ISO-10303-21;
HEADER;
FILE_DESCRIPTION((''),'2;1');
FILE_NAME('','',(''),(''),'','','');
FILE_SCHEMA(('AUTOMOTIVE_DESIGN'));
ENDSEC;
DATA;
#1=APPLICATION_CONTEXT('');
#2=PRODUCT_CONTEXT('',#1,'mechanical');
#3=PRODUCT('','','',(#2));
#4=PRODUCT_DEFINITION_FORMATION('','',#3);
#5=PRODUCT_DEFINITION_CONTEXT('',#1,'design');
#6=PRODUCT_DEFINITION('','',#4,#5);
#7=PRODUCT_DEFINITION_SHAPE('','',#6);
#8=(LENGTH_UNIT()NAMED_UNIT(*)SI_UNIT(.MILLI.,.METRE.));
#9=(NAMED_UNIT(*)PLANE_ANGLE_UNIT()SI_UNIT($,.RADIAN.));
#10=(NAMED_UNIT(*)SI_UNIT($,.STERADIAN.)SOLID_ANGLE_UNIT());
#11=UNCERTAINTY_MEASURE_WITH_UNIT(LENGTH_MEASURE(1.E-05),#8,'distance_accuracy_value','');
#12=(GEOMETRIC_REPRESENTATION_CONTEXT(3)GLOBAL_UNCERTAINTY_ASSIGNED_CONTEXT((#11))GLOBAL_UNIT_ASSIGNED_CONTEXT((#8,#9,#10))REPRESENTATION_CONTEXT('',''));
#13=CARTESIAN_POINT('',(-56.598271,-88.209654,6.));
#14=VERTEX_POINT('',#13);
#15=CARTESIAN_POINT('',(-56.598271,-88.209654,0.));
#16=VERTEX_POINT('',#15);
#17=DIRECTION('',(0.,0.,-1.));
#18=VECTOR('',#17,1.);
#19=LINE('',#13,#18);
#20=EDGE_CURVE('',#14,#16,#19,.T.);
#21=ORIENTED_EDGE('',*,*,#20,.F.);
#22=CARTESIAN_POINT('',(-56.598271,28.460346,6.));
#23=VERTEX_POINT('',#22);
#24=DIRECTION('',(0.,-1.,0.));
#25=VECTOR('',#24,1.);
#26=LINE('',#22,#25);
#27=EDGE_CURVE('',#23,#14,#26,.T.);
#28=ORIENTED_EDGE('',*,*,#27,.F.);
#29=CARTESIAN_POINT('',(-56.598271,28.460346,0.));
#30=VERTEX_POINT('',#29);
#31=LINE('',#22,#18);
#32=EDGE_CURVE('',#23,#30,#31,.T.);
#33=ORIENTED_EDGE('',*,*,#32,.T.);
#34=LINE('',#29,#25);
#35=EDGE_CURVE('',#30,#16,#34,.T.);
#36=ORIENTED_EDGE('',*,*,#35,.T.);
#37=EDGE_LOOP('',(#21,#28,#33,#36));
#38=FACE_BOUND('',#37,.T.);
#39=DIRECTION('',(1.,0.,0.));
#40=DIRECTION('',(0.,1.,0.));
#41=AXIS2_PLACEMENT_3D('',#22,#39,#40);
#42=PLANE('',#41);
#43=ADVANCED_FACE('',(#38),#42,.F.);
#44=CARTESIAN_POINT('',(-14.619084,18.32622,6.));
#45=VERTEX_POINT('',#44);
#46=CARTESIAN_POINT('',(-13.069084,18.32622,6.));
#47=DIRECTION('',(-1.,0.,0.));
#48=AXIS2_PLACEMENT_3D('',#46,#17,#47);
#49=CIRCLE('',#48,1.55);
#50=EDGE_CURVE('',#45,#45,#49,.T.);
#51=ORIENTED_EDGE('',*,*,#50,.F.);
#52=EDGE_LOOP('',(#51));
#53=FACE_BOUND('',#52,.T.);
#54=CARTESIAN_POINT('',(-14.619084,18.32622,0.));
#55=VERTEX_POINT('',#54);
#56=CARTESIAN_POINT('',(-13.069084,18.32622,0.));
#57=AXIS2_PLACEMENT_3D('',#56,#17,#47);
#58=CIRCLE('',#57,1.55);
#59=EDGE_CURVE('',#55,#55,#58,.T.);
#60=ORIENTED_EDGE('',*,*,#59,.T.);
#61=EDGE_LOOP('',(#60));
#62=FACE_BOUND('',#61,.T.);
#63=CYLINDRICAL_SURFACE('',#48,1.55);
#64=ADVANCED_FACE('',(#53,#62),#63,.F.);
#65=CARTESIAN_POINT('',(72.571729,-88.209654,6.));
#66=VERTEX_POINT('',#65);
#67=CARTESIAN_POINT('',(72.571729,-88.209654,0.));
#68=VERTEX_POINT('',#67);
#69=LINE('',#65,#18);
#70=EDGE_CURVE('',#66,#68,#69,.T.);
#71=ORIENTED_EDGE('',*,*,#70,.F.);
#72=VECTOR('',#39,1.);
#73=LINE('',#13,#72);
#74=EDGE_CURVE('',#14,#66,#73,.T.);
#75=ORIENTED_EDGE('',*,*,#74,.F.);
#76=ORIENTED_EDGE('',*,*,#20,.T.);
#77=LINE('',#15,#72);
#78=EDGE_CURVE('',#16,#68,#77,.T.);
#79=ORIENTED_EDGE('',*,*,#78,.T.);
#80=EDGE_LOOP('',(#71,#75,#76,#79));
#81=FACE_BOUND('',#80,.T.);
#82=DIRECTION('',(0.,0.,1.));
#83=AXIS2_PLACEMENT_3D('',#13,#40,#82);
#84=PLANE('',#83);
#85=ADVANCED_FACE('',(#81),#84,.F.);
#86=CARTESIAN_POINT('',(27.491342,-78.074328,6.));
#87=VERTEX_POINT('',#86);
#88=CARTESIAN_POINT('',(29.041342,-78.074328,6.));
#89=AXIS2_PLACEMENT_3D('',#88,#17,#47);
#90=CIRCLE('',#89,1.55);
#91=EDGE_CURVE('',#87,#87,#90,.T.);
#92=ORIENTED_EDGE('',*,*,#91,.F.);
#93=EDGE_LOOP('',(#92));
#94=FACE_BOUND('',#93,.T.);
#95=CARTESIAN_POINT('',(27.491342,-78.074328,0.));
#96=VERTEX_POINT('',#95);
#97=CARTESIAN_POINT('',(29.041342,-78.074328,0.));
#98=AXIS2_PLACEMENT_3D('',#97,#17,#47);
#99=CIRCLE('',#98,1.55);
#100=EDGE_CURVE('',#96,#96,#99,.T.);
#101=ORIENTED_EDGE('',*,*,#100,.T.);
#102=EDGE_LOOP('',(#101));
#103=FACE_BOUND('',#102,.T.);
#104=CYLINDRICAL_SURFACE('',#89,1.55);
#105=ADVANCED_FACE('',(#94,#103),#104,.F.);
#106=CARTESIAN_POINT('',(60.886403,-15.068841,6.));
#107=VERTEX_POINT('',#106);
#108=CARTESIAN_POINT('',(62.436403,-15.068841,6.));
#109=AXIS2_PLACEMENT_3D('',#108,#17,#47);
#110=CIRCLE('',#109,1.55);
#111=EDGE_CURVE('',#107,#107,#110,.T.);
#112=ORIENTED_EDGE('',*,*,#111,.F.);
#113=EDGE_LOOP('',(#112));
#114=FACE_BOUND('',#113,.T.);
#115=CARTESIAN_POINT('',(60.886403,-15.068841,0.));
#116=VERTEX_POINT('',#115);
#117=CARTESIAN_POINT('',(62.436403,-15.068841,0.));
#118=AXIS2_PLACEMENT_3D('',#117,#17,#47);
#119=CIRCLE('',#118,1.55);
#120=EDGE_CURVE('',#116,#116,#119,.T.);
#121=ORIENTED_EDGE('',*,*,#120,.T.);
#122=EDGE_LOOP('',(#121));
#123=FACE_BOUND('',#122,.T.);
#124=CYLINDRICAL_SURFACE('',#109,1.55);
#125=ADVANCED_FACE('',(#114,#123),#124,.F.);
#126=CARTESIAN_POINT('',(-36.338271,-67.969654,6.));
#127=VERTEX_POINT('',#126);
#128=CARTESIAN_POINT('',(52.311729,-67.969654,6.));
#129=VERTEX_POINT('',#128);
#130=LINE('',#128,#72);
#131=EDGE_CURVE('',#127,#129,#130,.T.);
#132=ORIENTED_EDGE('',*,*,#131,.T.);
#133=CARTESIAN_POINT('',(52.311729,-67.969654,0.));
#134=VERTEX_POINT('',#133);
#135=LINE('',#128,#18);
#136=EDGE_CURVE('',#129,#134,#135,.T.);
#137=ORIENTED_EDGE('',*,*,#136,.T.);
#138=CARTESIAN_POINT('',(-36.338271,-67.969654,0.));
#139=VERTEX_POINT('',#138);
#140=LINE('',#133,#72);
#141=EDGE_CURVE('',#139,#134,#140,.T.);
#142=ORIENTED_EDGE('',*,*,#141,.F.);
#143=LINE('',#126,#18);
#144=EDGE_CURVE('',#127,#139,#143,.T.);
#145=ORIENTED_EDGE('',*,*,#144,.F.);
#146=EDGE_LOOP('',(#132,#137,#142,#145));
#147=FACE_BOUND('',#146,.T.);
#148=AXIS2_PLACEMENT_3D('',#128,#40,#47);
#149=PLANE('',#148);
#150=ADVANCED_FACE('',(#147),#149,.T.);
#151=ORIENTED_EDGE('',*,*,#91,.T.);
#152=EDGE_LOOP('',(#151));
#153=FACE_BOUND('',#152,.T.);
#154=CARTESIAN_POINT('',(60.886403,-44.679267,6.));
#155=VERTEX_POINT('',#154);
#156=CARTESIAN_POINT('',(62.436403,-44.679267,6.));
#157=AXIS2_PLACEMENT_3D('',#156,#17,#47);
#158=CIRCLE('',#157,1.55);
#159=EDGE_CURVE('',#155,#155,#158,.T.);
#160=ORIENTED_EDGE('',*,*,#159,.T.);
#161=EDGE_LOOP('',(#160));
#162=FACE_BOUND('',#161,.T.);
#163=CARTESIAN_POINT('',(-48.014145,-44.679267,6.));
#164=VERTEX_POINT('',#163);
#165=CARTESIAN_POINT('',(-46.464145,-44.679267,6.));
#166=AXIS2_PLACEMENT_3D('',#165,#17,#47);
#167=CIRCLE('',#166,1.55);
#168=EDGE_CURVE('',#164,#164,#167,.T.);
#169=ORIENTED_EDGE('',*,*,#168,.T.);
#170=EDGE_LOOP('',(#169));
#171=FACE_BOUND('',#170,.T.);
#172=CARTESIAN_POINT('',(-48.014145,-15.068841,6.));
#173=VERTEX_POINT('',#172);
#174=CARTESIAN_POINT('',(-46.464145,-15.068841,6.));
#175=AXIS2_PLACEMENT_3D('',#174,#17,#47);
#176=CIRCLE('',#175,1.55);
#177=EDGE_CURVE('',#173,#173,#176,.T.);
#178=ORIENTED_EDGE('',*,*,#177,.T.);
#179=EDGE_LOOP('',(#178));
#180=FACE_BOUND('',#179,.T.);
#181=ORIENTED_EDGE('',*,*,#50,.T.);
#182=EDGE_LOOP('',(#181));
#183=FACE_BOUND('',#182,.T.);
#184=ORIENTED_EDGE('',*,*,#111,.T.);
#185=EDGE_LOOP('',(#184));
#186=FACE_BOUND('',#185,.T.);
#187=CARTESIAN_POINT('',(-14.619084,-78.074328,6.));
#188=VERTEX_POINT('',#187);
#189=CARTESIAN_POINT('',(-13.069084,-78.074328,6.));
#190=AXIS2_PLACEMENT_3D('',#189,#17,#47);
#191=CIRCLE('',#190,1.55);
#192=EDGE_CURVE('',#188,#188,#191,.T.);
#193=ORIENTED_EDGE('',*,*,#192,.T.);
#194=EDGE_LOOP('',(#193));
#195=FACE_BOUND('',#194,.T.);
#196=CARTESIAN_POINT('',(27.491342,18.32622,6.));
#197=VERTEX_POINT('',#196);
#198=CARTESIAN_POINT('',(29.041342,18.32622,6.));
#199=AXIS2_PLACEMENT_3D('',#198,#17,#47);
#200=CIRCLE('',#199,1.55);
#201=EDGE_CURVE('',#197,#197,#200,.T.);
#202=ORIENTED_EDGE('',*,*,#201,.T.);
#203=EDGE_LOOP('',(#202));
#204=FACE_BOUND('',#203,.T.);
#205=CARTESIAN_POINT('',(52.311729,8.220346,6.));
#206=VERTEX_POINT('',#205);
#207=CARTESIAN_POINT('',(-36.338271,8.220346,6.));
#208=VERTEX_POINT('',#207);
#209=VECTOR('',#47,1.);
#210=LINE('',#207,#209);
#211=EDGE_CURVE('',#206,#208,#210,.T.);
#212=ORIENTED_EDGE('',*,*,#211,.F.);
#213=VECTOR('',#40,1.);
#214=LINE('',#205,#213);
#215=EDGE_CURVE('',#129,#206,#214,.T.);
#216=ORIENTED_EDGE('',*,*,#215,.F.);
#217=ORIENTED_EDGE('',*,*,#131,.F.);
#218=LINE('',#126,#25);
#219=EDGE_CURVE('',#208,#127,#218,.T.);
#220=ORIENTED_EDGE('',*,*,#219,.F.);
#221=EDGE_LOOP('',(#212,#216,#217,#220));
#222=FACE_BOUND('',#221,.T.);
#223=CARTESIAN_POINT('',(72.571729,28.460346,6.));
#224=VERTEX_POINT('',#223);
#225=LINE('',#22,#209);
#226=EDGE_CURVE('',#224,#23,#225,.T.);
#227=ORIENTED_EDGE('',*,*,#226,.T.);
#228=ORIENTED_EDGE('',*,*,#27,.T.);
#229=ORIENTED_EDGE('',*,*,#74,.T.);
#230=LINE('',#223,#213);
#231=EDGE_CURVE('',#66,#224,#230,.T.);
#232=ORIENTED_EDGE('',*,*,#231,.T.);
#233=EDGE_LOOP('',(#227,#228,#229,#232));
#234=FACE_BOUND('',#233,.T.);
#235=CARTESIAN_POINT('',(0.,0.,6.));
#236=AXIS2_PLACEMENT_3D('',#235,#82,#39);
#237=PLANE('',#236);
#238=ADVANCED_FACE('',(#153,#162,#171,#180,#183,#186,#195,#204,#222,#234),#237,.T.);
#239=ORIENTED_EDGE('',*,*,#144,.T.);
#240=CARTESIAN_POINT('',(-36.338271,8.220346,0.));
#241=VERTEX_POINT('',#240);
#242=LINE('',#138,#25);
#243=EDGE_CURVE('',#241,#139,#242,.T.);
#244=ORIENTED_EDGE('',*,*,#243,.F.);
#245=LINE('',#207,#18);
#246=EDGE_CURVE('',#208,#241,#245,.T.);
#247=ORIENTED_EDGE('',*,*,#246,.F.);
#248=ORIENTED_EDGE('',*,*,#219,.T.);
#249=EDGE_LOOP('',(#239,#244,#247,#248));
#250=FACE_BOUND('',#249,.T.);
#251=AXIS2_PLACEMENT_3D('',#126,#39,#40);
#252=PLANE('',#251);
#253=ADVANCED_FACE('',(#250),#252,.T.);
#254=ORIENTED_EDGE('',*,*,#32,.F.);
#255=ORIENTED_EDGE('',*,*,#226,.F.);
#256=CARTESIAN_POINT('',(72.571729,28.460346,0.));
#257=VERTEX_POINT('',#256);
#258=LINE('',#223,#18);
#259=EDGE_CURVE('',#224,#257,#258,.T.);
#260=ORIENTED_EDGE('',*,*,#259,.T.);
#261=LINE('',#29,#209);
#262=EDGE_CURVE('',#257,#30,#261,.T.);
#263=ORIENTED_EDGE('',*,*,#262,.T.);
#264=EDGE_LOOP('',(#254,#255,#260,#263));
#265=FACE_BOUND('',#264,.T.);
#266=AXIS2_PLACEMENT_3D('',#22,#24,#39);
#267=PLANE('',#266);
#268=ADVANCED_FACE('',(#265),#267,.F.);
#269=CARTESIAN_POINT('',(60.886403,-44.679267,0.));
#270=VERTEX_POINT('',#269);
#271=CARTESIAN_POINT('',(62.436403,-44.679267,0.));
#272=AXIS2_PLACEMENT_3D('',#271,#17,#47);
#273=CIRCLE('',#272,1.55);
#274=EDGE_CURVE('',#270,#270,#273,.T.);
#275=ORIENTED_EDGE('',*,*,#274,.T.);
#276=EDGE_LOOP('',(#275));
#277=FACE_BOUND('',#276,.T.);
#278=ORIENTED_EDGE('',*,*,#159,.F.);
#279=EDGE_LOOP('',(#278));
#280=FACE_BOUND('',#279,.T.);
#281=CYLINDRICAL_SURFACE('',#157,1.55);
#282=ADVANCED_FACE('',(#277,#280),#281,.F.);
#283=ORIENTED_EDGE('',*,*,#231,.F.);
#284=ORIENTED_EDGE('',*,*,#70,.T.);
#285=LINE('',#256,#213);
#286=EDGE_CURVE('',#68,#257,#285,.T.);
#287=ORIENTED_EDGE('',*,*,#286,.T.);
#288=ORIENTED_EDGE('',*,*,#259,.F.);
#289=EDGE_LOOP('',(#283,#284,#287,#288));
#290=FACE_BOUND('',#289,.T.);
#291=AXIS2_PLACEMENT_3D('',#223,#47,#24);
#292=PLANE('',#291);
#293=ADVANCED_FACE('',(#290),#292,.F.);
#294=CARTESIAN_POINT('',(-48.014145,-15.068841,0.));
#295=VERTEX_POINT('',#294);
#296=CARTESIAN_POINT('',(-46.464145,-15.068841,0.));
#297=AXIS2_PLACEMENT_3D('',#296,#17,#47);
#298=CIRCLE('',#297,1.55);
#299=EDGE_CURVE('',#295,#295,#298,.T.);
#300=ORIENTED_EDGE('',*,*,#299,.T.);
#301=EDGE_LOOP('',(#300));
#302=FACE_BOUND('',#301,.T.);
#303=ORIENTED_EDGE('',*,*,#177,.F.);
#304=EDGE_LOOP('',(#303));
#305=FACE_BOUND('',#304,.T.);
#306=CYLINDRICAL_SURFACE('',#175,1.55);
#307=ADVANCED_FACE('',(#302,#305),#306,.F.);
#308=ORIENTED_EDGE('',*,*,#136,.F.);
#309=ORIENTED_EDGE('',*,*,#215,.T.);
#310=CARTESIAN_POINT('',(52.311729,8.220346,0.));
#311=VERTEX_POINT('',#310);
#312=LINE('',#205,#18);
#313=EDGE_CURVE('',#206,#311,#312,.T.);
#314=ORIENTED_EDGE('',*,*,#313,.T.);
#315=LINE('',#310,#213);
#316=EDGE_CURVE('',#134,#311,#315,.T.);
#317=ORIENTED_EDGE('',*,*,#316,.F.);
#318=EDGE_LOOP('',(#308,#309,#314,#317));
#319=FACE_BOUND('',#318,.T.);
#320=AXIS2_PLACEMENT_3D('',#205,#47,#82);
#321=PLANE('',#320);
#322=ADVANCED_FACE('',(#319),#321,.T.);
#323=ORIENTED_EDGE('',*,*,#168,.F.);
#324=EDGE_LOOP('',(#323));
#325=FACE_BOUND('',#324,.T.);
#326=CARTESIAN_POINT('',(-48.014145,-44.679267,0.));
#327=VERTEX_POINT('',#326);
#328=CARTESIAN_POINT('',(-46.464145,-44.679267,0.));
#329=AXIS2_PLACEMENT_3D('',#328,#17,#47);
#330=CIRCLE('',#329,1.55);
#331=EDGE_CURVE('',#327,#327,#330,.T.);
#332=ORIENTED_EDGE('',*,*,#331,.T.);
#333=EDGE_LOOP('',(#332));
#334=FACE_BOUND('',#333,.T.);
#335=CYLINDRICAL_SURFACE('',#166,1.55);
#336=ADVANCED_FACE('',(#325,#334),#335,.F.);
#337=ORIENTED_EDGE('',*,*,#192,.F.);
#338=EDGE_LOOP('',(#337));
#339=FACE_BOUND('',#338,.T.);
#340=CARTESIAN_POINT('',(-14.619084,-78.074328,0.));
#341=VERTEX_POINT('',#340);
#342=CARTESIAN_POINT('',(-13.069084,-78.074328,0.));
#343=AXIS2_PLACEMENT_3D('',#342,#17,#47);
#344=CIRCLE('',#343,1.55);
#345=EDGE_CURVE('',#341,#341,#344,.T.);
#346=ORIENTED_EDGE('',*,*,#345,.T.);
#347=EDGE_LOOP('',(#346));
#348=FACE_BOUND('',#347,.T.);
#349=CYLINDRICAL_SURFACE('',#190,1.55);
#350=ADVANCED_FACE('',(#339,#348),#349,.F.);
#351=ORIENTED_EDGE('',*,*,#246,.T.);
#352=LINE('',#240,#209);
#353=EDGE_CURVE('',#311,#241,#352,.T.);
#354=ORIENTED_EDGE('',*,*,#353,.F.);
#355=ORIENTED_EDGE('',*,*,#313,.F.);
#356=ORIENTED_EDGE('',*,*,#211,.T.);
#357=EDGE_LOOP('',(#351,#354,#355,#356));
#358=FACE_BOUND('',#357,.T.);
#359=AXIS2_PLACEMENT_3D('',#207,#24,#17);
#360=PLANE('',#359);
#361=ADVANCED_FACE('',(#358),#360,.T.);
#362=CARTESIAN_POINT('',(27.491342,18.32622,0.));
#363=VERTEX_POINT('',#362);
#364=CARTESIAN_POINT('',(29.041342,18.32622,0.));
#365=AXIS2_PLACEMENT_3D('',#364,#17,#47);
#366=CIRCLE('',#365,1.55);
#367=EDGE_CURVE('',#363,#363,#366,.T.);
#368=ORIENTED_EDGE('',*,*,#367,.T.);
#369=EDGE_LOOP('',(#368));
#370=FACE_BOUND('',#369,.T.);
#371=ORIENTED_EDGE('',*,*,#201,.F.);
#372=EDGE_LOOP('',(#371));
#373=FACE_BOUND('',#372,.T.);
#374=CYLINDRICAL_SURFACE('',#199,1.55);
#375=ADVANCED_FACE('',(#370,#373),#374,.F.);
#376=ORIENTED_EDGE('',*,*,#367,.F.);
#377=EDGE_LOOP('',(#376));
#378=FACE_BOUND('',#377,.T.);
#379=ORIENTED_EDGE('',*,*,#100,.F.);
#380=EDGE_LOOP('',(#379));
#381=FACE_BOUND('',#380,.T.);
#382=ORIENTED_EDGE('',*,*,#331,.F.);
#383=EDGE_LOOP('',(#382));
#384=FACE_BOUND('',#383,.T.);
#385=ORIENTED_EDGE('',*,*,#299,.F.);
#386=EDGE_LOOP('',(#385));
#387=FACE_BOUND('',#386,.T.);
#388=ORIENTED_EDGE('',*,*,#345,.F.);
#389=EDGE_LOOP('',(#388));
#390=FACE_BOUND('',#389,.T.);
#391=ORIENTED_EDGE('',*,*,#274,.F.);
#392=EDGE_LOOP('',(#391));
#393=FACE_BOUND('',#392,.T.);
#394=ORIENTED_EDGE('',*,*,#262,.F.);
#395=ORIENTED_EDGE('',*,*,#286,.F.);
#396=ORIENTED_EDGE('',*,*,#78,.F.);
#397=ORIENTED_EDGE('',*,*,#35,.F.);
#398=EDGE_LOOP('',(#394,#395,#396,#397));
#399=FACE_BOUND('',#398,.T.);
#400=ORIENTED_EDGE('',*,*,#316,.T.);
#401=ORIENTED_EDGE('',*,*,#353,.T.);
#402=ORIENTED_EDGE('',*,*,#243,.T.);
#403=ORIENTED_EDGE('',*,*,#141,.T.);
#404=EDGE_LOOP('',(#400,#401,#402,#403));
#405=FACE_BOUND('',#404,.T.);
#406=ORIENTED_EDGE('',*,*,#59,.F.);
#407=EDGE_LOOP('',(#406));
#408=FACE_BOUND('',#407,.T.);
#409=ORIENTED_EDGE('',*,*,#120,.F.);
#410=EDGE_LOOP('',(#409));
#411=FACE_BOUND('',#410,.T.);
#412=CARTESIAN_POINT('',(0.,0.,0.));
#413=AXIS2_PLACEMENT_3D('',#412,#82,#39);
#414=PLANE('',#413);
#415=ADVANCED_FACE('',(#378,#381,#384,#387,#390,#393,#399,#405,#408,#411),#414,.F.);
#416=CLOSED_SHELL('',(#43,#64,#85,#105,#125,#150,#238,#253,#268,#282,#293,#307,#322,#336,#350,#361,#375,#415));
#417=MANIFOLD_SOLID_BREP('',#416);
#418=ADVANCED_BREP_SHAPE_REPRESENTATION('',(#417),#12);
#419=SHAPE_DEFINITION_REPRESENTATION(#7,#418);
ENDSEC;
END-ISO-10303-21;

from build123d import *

# Parameters (mm, degrees)
SKETCH_1_W          = 129.17
SKETCH_1_H          = 116.67
SKETCH_1_W_2        = 88.65
SKETCH_1_H_2        = 76.19
EXTRUDE_1_DEPTH     = 6
SKETCH_2_R          = 1.55
CUT_EXTRUDE_1_DEPTH = 115.383560689


with BuildPart() as part:
    # Эскиз1 → Бобышка-Вытянуть1 (new body)
    with BuildSketch(Plane.XY):
        with Locations((7.986729107, -29.874654179)):
            Rectangle(SKETCH_1_W, SKETCH_1_H)
        with Locations((7.986729107, -29.874654179)):
            Rectangle(SKETCH_1_W_2, SKETCH_1_H_2, mode=Mode.SUBTRACT)
    extrude(amount=EXTRUDE_1_DEPTH)

    # Эскиз2 → Вырез-Вытянуть1 (cut, through all)
    with BuildSketch(Plane(origin=(0, 0, 0), x_dir=(-1, 0, 0), z_dir=(0, 0, -1))):
        with Locations((46.464144791, -15.068841065)):
            Circle(SKETCH_2_R)
        with Locations((46.464144791, -44.679267292)):
            Circle(SKETCH_2_R)
        with Locations((13.069084007, -78.074328076)):
            Circle(SKETCH_2_R)
        with Locations((-29.04134222, -78.074328076)):
            Circle(SKETCH_2_R)
        with Locations((-62.436403004, -44.679267292)):
            Circle(SKETCH_2_R)
        with Locations((-62.436403004, -15.068841065)):
            Circle(SKETCH_2_R)
        with Locations((-29.04134222, 18.326219719)):
            Circle(SKETCH_2_R)
        with Locations((13.069084007, 18.326219719)):
            Circle(SKETCH_2_R)
    extrude(amount=-CUT_EXTRUDE_1_DEPTH, mode=Mode.SUBTRACT)


solid = part.part
